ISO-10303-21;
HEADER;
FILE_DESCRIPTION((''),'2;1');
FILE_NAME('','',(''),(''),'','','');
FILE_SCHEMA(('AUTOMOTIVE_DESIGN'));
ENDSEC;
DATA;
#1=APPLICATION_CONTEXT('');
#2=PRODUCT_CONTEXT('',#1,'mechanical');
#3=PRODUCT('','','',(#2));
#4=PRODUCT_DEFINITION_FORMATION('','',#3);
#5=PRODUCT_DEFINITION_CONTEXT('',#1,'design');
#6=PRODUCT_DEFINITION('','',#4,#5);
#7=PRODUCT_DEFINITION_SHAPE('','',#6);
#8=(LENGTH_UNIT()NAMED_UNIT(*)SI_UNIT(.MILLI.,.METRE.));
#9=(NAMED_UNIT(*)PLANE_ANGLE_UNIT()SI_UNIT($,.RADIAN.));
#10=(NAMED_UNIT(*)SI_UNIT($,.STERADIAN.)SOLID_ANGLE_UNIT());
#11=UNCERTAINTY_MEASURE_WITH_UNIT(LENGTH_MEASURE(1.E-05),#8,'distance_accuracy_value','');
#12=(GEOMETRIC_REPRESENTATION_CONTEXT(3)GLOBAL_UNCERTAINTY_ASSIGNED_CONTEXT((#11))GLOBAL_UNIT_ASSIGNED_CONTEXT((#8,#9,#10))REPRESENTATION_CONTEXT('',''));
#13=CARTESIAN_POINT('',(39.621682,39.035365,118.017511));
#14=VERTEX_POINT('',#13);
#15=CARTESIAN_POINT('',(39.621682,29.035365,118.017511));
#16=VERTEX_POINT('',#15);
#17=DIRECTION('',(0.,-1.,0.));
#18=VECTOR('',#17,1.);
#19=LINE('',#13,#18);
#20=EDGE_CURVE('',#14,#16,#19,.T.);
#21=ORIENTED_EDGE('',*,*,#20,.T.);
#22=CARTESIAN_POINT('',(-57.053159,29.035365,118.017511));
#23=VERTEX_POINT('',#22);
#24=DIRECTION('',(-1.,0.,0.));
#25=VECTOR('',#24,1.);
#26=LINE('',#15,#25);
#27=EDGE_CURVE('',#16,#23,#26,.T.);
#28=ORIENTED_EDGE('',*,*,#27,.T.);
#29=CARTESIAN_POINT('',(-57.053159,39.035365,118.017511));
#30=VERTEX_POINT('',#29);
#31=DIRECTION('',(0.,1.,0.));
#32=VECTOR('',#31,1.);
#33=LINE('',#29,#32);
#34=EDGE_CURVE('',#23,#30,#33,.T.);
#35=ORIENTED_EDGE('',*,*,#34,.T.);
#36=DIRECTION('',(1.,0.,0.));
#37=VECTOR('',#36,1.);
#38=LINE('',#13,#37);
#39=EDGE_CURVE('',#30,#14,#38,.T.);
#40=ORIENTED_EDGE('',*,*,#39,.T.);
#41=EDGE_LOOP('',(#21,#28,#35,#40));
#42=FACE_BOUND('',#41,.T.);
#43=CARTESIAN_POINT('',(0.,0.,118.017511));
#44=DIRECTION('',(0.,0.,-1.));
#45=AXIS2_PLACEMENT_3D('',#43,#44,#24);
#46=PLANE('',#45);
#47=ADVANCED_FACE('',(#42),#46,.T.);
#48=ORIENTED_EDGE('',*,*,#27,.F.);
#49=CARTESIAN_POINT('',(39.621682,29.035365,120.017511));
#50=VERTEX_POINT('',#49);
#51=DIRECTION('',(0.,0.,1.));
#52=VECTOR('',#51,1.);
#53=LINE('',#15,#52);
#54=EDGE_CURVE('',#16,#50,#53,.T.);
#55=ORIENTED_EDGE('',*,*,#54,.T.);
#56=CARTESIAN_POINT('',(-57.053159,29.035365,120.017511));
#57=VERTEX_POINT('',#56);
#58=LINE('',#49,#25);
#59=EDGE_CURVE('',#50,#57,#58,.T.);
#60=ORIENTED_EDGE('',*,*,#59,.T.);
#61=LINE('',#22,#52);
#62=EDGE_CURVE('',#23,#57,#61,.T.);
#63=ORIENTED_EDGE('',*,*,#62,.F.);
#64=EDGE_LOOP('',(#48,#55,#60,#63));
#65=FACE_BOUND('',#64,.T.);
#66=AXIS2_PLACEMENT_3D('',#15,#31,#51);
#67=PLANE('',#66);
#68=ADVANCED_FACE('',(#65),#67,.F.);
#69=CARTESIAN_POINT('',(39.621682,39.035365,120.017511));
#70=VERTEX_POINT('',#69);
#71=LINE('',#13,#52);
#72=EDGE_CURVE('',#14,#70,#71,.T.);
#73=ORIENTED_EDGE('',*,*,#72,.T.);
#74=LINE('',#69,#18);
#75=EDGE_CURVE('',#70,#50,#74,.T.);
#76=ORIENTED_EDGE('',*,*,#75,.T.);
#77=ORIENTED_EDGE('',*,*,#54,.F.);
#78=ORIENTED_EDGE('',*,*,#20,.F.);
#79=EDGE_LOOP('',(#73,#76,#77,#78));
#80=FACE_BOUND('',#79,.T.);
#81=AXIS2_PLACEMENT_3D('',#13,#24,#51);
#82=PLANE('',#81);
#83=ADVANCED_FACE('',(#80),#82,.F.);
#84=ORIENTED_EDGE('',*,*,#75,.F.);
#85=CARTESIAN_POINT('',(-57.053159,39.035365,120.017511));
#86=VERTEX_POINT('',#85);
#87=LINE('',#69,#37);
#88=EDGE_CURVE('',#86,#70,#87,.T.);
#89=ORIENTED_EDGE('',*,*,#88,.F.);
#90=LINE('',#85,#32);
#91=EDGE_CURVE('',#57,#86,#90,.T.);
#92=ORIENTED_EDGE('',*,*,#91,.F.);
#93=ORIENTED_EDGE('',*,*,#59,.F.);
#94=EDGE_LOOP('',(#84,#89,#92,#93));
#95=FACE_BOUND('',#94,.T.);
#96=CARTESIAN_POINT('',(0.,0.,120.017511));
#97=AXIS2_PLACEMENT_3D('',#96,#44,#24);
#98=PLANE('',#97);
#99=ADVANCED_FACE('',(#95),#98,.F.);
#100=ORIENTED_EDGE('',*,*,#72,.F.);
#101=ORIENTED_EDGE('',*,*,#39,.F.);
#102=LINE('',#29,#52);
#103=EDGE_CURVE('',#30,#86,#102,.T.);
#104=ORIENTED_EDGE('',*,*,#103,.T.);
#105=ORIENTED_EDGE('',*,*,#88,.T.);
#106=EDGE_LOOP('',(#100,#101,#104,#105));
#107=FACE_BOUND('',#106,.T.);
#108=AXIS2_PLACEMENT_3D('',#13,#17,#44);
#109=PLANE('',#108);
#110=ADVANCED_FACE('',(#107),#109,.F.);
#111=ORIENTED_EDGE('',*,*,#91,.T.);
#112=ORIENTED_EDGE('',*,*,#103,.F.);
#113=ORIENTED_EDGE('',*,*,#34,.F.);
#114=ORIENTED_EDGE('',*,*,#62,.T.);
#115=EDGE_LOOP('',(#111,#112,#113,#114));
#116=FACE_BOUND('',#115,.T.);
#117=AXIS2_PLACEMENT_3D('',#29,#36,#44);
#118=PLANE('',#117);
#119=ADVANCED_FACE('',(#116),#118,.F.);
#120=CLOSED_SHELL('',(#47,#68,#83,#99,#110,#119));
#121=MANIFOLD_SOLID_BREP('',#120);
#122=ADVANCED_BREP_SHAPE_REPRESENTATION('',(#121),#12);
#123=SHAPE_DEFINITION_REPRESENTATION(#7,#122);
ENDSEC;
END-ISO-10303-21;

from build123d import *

# Parameters (mm, degrees)
SKETCH_1_W      = 96.674841249
SKETCH_1_H      = 10
EXTRUDE_1_DEPTH = 2


with BuildPart() as part:
    # 草图1 → 凸台-拉伸1 (new body)
    with BuildSketch(Plane(origin=(0, 0, 120.017510674), x_dir=(-1, 0, 0), z_dir=(0, 0, -1))):
        with Locations((8.715738653, 34.035364625)):
            Rectangle(SKETCH_1_W, SKETCH_1_H)
    extrude(amount=EXTRUDE_1_DEPTH)


solid = part.part
